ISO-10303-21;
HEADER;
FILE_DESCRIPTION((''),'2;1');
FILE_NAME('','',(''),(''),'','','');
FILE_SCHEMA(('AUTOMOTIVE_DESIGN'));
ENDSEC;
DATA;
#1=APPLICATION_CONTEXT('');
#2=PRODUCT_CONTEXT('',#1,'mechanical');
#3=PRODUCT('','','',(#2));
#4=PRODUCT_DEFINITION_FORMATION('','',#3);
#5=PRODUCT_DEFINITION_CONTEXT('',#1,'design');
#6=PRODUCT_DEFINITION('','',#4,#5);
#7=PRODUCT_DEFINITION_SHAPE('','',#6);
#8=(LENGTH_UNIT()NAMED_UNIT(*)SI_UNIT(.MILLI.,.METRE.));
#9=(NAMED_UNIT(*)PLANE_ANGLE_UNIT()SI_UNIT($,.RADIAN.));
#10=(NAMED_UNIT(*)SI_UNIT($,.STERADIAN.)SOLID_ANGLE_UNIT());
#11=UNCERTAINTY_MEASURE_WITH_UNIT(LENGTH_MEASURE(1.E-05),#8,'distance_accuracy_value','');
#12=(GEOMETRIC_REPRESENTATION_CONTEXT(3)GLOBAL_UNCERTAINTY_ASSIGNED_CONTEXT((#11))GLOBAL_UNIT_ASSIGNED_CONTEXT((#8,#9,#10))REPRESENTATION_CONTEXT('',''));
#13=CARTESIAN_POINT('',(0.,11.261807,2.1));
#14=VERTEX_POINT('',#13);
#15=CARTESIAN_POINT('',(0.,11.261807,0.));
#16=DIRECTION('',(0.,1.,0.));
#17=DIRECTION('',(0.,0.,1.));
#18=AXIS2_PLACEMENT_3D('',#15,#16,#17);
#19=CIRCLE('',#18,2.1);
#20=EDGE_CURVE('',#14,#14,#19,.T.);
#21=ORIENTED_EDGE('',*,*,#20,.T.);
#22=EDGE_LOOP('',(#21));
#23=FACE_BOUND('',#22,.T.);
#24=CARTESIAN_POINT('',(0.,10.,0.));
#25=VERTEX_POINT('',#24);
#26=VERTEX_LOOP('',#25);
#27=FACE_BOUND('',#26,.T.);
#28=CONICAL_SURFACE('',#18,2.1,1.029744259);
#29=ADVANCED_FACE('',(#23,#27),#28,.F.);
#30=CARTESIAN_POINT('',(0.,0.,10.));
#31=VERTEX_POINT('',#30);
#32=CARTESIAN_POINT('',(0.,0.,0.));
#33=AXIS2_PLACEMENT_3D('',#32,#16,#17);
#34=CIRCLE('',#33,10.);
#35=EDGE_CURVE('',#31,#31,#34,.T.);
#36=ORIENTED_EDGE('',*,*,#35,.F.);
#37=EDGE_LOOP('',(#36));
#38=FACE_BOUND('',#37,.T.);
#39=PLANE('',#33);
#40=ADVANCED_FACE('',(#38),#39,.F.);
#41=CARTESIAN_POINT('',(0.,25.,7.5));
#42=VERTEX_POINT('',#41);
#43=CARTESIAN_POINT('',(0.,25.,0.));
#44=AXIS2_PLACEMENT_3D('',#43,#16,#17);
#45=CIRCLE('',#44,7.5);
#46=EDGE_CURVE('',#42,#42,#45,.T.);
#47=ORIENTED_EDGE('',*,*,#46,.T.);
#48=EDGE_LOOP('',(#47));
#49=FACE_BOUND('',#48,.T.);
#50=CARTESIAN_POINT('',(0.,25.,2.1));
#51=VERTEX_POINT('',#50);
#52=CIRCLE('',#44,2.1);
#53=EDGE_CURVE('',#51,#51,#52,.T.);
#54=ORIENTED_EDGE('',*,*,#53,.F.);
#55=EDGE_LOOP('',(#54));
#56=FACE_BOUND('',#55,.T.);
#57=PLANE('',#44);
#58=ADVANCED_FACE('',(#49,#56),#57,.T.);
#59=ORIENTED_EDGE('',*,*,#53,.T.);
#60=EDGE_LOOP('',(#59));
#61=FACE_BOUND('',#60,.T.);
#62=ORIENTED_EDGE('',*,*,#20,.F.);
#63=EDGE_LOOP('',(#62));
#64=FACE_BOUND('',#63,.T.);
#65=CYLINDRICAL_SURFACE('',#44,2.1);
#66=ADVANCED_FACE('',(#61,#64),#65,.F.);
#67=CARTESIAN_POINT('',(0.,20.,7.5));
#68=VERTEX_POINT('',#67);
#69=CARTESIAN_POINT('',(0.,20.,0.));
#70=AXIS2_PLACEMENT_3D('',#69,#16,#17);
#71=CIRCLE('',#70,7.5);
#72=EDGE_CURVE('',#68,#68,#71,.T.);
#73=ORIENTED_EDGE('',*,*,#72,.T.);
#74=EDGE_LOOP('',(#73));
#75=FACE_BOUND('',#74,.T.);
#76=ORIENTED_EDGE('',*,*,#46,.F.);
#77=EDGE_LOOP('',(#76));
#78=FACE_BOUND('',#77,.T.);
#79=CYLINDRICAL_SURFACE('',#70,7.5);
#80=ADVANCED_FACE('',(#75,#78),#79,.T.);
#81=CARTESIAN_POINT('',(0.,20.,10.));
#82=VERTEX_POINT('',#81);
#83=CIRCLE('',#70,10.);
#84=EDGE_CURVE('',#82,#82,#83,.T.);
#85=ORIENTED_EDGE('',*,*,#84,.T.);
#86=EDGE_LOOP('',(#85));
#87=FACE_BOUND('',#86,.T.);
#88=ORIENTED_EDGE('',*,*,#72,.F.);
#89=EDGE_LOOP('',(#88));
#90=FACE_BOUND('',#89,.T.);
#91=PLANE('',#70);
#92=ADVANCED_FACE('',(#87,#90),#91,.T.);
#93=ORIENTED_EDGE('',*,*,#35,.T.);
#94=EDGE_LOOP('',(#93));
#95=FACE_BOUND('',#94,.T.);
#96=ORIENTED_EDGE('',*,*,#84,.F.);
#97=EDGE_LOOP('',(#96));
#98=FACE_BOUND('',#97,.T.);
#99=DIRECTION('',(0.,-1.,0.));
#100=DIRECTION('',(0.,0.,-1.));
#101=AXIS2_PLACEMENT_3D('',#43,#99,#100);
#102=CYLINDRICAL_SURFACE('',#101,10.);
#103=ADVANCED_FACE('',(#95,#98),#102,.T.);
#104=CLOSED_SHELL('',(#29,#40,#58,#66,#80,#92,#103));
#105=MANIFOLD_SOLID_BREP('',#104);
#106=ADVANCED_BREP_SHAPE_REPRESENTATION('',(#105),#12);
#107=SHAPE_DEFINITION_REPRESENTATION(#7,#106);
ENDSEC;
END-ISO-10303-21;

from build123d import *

# Parameters (mm, degrees)
SKETCH1_R             = 10
BOSS_EXTRUDE1_DEPTH   = 25
M5_TAPPED_HOLE1_D     = 4.2
M5_TAPPED_HOLE1_DEPTH = 13.7381927
M5_TAPPED_HOLE1_TIP   = 1.2618073
SKETCH18_R            = 10
SKETCH18_R_2          = 7.5
CUT_EXTRUDE1_DEPTH    = 5


with BuildPart() as part:
    # Sketch1 → Boss-Extrude1 (new body)
    with BuildSketch(Plane(origin=(0, 0, 0), x_dir=(1, 0, 0), z_dir=(0, 1, 0))):
        Circle(SKETCH1_R)
    extrude(amount=BOSS_EXTRUDE1_DEPTH)

    # M5 Tapped Hole1
    with Locations(Plane(origin=(0, 25, 0), x_dir=(1, 0, 0), z_dir=(0, 1, 0))):
        with Locations((0, 0)):
            Hole(M5_TAPPED_HOLE1_D / 2, depth=M5_TAPPED_HOLE1_DEPTH)
            with Locations((0, 0, -(M5_TAPPED_HOLE1_DEPTH + M5_TAPPED_HOLE1_TIP / 2))):  # 118° drill point
                Cone(0, M5_TAPPED_HOLE1_D / 2, M5_TAPPED_HOLE1_TIP, mode=Mode.SUBTRACT)

    # Sketch18 → Cut-Extrude1 (cut)
    with BuildSketch(Plane(origin=(0, 25, 0), x_dir=(1, 0, 0), z_dir=(0, 1, 0))):
        Circle(SKETCH18_R)
        Circle(SKETCH18_R_2, mode=Mode.SUBTRACT)
    extrude(amount=-CUT_EXTRUDE1_DEPTH, mode=Mode.SUBTRACT)


solid = part.part
